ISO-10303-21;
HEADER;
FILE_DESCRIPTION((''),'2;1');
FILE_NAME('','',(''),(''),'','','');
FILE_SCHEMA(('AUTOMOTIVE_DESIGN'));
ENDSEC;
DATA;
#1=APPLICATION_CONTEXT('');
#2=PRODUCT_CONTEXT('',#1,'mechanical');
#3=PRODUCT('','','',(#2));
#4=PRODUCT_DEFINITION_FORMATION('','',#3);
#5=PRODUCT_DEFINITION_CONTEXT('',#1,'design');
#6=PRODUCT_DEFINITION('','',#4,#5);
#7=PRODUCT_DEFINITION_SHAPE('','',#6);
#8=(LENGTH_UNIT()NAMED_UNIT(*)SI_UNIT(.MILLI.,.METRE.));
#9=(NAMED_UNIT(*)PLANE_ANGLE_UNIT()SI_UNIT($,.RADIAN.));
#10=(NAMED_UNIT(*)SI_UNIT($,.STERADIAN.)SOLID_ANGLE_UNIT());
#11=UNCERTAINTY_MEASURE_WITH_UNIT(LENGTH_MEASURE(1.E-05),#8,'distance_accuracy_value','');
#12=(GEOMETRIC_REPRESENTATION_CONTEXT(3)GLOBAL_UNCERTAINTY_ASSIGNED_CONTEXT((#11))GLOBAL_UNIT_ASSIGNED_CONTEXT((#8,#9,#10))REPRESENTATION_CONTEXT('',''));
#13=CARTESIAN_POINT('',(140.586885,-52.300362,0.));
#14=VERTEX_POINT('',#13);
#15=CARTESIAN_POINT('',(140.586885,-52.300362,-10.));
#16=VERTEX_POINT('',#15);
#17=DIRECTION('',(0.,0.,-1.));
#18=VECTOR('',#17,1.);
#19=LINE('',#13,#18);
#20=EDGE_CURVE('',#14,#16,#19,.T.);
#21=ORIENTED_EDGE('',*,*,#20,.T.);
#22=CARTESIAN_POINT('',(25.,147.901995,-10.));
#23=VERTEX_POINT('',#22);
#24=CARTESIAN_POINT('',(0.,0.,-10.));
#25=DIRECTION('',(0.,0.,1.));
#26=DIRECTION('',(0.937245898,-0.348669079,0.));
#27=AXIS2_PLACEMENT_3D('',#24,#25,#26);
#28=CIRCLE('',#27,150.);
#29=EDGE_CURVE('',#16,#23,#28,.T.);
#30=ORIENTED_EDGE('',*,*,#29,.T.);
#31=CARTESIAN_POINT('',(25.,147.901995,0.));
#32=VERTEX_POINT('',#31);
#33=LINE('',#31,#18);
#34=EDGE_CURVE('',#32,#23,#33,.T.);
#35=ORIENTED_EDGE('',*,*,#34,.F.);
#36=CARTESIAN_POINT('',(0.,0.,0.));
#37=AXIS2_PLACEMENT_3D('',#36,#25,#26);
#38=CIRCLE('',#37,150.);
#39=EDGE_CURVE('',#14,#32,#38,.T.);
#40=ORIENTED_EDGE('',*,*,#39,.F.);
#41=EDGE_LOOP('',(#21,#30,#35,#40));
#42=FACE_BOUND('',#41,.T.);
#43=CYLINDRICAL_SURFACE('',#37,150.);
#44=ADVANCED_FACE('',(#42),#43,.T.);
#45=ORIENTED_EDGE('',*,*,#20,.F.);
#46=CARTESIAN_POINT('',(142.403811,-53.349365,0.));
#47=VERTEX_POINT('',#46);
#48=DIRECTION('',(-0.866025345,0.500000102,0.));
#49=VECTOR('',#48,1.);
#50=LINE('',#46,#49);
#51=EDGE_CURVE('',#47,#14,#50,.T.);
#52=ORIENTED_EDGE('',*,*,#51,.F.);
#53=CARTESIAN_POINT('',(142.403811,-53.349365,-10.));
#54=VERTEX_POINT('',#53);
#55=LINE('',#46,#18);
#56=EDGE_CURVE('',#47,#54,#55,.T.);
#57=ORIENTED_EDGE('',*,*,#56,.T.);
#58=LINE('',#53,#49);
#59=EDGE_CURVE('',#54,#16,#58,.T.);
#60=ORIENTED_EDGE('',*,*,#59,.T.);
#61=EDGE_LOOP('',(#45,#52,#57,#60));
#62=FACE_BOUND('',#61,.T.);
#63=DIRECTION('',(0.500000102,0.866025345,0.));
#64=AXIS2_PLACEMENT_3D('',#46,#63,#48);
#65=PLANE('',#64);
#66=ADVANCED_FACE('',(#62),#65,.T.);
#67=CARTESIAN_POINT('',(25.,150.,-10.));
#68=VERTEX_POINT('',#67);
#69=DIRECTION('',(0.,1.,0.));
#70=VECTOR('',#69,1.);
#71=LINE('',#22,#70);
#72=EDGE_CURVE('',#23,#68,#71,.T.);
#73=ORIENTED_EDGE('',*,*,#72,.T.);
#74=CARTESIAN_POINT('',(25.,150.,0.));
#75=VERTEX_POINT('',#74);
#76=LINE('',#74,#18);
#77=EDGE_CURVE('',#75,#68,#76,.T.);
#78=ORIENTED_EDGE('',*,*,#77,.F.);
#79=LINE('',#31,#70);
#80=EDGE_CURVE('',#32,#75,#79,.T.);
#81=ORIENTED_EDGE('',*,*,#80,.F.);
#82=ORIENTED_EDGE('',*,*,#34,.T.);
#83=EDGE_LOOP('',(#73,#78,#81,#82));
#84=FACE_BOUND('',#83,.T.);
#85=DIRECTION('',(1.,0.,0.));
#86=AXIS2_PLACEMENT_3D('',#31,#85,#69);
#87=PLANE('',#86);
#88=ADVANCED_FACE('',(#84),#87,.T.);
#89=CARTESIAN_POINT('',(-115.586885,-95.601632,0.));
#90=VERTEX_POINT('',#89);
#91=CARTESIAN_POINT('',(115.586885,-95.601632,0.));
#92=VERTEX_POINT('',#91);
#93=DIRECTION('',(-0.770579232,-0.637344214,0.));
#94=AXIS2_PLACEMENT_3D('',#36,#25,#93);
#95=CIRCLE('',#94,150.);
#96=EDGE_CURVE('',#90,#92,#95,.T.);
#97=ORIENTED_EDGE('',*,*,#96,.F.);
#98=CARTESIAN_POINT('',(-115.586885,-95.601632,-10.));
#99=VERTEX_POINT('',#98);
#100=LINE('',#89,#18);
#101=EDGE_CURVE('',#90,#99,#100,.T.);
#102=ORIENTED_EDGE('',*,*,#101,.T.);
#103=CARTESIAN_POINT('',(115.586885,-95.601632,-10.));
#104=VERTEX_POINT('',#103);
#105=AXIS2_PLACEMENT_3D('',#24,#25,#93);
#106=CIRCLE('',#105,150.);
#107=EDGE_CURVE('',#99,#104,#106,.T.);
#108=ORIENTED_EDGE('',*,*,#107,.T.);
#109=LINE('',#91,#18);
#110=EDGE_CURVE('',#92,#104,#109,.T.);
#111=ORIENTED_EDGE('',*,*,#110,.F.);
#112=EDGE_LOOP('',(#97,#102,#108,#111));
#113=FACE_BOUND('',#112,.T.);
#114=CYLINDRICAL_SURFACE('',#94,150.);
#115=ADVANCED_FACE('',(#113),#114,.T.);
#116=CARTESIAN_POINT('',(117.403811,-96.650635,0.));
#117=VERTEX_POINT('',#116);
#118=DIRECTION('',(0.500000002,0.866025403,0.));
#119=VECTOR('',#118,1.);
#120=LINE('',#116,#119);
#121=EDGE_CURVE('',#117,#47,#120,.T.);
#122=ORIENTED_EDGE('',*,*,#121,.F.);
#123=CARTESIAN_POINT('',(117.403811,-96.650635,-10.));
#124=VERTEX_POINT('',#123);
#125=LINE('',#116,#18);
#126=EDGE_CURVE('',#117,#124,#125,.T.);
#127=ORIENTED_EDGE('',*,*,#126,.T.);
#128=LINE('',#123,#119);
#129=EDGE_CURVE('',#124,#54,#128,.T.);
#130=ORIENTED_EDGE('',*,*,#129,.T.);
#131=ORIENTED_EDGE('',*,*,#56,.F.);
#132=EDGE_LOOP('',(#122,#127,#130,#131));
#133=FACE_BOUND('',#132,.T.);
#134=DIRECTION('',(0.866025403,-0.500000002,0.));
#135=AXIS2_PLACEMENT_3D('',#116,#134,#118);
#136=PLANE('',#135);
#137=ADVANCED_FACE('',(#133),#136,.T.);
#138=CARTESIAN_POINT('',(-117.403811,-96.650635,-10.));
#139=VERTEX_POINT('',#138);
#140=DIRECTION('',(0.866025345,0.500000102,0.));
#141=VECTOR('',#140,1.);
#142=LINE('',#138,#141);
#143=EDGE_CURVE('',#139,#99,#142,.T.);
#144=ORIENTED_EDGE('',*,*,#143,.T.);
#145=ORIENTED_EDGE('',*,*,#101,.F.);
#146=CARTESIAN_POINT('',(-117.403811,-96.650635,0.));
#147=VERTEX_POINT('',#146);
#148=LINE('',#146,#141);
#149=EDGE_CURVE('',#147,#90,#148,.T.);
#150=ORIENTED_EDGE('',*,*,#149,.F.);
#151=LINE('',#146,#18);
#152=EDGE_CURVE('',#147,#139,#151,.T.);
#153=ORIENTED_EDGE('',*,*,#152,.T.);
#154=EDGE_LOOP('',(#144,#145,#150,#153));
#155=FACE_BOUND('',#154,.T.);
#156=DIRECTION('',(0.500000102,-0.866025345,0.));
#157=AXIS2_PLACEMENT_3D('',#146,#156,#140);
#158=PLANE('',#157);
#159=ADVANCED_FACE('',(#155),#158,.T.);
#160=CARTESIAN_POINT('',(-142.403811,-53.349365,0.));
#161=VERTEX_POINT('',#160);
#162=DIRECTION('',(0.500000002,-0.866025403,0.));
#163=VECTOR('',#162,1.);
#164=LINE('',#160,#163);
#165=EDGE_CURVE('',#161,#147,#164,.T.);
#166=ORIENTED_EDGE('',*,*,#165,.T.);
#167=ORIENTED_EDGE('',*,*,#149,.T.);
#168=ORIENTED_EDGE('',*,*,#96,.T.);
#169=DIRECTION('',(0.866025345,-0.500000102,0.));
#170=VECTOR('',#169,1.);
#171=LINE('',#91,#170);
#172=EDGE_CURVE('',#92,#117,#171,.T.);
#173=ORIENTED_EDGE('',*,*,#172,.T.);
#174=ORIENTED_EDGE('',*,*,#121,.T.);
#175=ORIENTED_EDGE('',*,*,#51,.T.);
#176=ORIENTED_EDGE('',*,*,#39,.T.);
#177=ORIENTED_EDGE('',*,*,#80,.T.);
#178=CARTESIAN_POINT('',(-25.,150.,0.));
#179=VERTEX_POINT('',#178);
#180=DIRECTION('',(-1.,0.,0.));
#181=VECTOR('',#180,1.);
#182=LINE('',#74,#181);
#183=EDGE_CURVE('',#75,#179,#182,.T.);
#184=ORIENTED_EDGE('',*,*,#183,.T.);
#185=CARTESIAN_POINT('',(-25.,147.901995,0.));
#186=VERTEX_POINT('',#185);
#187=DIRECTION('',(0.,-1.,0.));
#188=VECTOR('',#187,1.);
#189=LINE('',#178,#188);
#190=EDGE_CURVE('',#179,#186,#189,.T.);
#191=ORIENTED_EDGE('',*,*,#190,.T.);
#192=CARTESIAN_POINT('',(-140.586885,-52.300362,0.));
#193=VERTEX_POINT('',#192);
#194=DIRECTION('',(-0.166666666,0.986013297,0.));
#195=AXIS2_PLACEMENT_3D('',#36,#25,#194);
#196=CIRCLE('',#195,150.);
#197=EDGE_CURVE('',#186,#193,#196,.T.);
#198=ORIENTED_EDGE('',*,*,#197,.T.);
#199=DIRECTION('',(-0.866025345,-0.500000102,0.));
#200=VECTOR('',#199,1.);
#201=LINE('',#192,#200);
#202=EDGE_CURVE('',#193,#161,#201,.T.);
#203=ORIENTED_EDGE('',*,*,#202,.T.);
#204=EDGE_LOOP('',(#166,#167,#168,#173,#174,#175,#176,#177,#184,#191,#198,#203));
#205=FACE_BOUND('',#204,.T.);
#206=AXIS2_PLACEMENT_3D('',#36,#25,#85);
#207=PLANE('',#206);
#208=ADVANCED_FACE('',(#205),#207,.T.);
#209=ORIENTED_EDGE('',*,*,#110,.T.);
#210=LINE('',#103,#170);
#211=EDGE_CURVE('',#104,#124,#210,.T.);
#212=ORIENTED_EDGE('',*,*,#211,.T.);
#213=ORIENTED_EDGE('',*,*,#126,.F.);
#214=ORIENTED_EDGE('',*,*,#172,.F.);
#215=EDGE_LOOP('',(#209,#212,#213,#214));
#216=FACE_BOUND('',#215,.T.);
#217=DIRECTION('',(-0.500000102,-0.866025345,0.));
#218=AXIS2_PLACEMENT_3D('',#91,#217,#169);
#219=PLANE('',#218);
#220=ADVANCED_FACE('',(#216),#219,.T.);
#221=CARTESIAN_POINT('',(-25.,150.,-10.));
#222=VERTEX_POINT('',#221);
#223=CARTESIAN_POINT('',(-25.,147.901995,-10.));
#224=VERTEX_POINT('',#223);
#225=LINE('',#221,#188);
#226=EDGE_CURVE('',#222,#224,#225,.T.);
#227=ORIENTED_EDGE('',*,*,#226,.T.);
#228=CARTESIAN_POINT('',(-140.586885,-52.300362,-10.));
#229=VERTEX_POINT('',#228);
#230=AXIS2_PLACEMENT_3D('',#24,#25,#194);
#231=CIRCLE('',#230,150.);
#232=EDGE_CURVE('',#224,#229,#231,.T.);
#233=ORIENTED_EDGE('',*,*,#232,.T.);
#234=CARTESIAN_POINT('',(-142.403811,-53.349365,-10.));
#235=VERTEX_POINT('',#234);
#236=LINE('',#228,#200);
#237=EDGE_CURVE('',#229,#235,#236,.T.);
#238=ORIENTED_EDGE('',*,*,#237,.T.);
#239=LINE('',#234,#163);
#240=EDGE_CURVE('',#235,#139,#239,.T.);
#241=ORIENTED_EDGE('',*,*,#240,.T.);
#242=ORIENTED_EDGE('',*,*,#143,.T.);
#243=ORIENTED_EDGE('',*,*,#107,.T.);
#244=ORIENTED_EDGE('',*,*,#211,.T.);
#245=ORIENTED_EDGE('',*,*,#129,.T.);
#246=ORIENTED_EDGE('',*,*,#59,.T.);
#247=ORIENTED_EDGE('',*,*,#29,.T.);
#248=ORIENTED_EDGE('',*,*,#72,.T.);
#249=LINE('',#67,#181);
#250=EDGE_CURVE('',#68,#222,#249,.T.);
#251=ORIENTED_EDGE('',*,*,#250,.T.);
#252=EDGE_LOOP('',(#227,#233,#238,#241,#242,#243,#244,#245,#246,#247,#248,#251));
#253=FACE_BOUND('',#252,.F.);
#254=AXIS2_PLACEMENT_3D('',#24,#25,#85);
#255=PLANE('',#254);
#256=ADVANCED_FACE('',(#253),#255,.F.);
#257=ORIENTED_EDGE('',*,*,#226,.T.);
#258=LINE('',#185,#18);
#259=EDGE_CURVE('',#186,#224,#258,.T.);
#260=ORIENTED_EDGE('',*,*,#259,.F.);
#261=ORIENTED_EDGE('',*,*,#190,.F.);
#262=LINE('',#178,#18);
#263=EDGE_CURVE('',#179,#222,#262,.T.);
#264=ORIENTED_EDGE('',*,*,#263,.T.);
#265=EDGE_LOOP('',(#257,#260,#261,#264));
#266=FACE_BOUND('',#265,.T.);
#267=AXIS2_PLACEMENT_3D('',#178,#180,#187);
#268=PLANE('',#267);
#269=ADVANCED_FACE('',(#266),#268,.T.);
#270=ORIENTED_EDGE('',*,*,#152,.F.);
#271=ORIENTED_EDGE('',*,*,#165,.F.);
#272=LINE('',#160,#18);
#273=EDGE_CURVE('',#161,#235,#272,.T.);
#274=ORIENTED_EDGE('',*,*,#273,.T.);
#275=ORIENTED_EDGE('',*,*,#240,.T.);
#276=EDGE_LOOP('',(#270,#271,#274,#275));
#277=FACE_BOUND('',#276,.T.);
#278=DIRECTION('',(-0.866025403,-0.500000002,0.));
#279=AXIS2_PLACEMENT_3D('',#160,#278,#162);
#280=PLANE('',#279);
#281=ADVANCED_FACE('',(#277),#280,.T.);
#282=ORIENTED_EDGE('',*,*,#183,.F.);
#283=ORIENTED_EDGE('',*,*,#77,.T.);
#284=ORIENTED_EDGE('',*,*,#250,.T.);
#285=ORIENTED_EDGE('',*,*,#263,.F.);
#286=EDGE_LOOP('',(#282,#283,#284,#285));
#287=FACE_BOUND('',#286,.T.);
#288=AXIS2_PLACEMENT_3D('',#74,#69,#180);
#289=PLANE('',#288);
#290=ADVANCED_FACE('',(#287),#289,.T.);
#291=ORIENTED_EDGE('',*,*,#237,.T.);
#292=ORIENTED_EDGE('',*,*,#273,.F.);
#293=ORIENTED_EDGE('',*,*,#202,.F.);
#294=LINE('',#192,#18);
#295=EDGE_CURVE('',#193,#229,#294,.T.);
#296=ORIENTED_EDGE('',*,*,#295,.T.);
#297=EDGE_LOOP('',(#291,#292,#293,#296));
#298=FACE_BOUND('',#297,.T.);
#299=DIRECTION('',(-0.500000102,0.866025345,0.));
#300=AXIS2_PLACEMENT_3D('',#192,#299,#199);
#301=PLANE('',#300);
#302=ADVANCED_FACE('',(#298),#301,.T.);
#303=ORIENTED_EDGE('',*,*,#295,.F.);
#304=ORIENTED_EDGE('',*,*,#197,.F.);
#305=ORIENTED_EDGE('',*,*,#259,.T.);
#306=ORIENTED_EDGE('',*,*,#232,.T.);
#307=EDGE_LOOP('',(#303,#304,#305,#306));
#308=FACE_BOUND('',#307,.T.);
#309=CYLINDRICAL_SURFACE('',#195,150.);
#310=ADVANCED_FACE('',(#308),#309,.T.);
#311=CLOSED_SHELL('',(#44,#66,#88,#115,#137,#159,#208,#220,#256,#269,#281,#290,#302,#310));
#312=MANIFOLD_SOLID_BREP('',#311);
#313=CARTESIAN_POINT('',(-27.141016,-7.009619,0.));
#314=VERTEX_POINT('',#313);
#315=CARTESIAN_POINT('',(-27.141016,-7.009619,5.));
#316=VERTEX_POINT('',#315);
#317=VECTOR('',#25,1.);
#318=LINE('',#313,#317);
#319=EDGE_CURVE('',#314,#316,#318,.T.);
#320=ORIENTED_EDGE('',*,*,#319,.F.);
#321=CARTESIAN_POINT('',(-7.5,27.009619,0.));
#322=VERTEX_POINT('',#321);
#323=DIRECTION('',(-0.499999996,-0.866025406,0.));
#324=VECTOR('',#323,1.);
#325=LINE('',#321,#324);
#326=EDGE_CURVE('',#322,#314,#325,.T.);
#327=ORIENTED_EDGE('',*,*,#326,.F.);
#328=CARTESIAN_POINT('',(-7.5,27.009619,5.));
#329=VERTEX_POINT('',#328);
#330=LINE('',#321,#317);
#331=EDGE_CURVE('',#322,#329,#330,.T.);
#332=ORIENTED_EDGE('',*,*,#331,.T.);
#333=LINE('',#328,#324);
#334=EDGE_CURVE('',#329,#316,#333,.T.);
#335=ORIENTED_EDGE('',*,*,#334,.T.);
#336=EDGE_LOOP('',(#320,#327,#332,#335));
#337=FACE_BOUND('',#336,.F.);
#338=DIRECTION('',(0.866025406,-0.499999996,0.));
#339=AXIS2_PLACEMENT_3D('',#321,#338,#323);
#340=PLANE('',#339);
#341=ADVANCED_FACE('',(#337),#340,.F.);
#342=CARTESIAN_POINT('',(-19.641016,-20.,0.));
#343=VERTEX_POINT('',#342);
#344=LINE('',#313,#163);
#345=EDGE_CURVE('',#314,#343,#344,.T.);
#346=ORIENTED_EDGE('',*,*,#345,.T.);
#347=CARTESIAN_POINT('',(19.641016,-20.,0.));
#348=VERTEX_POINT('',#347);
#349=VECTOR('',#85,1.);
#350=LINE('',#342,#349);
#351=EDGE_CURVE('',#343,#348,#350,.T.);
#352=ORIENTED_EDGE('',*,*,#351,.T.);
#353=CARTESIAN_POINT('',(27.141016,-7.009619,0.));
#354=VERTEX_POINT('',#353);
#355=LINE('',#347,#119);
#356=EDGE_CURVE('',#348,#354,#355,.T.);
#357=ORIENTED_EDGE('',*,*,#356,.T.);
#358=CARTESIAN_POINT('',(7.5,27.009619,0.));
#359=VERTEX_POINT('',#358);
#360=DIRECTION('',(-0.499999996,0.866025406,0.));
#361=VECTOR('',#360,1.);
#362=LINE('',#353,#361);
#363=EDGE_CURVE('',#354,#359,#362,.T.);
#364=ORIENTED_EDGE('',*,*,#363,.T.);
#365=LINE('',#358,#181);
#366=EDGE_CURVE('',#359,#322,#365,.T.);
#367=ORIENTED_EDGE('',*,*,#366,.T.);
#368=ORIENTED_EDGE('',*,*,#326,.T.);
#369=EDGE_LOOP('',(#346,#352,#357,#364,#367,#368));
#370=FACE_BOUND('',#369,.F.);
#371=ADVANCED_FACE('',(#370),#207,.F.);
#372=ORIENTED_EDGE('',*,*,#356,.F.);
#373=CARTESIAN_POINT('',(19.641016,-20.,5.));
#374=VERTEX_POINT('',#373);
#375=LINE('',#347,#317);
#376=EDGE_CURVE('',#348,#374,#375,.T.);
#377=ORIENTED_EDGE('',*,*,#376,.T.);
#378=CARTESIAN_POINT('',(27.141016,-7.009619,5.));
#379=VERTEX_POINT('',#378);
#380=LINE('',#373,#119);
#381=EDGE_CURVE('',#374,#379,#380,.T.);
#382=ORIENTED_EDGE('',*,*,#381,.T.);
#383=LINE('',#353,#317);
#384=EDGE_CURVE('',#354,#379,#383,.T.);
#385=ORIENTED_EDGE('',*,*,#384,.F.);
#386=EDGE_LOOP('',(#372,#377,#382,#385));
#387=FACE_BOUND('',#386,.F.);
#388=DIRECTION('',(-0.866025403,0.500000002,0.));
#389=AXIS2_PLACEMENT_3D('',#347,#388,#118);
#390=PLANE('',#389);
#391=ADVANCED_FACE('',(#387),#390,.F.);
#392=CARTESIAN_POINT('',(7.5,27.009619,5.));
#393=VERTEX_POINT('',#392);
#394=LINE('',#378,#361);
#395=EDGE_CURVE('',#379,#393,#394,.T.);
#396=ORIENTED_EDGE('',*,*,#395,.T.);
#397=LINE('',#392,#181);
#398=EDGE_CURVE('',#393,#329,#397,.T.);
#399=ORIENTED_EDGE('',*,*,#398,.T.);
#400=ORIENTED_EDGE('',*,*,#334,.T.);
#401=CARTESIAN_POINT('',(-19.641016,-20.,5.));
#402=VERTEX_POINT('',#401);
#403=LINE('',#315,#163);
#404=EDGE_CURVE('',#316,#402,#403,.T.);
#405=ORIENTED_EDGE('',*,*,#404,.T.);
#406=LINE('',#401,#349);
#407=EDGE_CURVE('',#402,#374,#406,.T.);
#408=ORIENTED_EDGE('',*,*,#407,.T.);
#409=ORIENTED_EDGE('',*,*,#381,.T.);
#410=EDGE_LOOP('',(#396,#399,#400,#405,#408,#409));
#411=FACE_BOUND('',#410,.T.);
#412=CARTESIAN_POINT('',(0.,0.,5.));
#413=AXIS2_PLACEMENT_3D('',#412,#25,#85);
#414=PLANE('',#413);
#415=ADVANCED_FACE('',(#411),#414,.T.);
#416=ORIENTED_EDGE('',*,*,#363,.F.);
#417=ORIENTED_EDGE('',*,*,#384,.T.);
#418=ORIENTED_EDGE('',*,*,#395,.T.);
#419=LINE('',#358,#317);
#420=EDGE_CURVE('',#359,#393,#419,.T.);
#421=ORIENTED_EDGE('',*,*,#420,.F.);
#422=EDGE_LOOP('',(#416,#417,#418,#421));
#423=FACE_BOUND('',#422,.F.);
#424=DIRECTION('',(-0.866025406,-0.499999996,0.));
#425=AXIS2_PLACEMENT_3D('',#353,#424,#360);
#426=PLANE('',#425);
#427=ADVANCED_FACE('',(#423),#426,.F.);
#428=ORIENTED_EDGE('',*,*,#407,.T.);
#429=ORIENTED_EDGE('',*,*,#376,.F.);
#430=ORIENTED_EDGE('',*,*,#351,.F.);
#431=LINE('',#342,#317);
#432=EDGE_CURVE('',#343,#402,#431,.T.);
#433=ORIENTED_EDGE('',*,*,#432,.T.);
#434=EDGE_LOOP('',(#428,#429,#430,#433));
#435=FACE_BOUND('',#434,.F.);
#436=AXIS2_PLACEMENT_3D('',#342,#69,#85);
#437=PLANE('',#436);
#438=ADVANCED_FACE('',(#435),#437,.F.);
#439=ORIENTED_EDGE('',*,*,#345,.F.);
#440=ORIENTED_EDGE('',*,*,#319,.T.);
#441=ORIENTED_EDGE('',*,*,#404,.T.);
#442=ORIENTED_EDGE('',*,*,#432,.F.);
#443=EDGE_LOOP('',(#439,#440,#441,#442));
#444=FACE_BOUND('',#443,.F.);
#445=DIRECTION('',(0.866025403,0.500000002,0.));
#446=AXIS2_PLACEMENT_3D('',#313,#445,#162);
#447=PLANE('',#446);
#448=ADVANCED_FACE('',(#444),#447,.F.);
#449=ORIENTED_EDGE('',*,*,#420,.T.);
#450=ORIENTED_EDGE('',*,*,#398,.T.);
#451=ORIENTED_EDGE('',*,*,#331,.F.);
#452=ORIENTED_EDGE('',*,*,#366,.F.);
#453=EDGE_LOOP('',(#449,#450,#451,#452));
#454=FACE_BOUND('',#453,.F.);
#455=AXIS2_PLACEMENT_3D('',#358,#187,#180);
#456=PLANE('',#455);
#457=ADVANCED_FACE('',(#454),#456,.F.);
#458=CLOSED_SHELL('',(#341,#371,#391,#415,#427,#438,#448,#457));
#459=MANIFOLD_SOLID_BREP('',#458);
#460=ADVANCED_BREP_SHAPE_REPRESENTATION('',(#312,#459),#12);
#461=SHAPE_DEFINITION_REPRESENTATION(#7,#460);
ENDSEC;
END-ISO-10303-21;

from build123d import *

# Parameters (mm, degrees)
F1_DEPTH = 10
F3_DEPTH = 5


with BuildPart() as f1:
    # F0 (on Top) → F1 (new body)
    with BuildSketch(Plane.XY):
        with BuildLine():
            Line((-117.403811, -96.650635), (-115.586885, -95.601632))
            ThreePointArc((-115.586885, -95.601632), (0, -150), (115.586885, -95.601632))
            Line((115.586885, -95.601632), (117.403811, -96.650635))
            Line((117.403811, -96.650635), (129.903811, -75))
            Line((129.903811, -75), (142.403811, -53.349365))
            Line((142.403811, -53.349365), (140.586885, -52.300362))
            ThreePointArc((140.586885, -52.300362), (129.903811, 75), (25, 147.901995))
            Line((25, 147.901995), (25, 150))
            Line((25, 150), (0, 150))
            Line((0, 150), (-25, 150))
            Line((-25, 150), (-25, 147.901995))
            ThreePointArc((-25, 147.901995), (-129.903811, 75), (-140.586885, -52.300362))
            Line((-140.586885, -52.300362), (-142.403811, -53.349365))
            Line((-142.403811, -53.349365), (-129.903811, -75))
            Line((-129.903811, -75), (-117.403811, -96.650635))
        make_face()
    extrude(amount=-F1_DEPTH)


with BuildPart() as f3:
    # F2 (on Top) → F3 (new body)
    with BuildSketch(Plane.XY):
        Polygon((27.141016, -7.009619), (7.5, 27.009619), (-7.5, 27.009619), (-27.141016, -7.009619), (-19.641016, -20), (19.641016, -20), align=None)
    extrude(amount=F3_DEPTH)


solid = Compound([f1.part, f3.part])
